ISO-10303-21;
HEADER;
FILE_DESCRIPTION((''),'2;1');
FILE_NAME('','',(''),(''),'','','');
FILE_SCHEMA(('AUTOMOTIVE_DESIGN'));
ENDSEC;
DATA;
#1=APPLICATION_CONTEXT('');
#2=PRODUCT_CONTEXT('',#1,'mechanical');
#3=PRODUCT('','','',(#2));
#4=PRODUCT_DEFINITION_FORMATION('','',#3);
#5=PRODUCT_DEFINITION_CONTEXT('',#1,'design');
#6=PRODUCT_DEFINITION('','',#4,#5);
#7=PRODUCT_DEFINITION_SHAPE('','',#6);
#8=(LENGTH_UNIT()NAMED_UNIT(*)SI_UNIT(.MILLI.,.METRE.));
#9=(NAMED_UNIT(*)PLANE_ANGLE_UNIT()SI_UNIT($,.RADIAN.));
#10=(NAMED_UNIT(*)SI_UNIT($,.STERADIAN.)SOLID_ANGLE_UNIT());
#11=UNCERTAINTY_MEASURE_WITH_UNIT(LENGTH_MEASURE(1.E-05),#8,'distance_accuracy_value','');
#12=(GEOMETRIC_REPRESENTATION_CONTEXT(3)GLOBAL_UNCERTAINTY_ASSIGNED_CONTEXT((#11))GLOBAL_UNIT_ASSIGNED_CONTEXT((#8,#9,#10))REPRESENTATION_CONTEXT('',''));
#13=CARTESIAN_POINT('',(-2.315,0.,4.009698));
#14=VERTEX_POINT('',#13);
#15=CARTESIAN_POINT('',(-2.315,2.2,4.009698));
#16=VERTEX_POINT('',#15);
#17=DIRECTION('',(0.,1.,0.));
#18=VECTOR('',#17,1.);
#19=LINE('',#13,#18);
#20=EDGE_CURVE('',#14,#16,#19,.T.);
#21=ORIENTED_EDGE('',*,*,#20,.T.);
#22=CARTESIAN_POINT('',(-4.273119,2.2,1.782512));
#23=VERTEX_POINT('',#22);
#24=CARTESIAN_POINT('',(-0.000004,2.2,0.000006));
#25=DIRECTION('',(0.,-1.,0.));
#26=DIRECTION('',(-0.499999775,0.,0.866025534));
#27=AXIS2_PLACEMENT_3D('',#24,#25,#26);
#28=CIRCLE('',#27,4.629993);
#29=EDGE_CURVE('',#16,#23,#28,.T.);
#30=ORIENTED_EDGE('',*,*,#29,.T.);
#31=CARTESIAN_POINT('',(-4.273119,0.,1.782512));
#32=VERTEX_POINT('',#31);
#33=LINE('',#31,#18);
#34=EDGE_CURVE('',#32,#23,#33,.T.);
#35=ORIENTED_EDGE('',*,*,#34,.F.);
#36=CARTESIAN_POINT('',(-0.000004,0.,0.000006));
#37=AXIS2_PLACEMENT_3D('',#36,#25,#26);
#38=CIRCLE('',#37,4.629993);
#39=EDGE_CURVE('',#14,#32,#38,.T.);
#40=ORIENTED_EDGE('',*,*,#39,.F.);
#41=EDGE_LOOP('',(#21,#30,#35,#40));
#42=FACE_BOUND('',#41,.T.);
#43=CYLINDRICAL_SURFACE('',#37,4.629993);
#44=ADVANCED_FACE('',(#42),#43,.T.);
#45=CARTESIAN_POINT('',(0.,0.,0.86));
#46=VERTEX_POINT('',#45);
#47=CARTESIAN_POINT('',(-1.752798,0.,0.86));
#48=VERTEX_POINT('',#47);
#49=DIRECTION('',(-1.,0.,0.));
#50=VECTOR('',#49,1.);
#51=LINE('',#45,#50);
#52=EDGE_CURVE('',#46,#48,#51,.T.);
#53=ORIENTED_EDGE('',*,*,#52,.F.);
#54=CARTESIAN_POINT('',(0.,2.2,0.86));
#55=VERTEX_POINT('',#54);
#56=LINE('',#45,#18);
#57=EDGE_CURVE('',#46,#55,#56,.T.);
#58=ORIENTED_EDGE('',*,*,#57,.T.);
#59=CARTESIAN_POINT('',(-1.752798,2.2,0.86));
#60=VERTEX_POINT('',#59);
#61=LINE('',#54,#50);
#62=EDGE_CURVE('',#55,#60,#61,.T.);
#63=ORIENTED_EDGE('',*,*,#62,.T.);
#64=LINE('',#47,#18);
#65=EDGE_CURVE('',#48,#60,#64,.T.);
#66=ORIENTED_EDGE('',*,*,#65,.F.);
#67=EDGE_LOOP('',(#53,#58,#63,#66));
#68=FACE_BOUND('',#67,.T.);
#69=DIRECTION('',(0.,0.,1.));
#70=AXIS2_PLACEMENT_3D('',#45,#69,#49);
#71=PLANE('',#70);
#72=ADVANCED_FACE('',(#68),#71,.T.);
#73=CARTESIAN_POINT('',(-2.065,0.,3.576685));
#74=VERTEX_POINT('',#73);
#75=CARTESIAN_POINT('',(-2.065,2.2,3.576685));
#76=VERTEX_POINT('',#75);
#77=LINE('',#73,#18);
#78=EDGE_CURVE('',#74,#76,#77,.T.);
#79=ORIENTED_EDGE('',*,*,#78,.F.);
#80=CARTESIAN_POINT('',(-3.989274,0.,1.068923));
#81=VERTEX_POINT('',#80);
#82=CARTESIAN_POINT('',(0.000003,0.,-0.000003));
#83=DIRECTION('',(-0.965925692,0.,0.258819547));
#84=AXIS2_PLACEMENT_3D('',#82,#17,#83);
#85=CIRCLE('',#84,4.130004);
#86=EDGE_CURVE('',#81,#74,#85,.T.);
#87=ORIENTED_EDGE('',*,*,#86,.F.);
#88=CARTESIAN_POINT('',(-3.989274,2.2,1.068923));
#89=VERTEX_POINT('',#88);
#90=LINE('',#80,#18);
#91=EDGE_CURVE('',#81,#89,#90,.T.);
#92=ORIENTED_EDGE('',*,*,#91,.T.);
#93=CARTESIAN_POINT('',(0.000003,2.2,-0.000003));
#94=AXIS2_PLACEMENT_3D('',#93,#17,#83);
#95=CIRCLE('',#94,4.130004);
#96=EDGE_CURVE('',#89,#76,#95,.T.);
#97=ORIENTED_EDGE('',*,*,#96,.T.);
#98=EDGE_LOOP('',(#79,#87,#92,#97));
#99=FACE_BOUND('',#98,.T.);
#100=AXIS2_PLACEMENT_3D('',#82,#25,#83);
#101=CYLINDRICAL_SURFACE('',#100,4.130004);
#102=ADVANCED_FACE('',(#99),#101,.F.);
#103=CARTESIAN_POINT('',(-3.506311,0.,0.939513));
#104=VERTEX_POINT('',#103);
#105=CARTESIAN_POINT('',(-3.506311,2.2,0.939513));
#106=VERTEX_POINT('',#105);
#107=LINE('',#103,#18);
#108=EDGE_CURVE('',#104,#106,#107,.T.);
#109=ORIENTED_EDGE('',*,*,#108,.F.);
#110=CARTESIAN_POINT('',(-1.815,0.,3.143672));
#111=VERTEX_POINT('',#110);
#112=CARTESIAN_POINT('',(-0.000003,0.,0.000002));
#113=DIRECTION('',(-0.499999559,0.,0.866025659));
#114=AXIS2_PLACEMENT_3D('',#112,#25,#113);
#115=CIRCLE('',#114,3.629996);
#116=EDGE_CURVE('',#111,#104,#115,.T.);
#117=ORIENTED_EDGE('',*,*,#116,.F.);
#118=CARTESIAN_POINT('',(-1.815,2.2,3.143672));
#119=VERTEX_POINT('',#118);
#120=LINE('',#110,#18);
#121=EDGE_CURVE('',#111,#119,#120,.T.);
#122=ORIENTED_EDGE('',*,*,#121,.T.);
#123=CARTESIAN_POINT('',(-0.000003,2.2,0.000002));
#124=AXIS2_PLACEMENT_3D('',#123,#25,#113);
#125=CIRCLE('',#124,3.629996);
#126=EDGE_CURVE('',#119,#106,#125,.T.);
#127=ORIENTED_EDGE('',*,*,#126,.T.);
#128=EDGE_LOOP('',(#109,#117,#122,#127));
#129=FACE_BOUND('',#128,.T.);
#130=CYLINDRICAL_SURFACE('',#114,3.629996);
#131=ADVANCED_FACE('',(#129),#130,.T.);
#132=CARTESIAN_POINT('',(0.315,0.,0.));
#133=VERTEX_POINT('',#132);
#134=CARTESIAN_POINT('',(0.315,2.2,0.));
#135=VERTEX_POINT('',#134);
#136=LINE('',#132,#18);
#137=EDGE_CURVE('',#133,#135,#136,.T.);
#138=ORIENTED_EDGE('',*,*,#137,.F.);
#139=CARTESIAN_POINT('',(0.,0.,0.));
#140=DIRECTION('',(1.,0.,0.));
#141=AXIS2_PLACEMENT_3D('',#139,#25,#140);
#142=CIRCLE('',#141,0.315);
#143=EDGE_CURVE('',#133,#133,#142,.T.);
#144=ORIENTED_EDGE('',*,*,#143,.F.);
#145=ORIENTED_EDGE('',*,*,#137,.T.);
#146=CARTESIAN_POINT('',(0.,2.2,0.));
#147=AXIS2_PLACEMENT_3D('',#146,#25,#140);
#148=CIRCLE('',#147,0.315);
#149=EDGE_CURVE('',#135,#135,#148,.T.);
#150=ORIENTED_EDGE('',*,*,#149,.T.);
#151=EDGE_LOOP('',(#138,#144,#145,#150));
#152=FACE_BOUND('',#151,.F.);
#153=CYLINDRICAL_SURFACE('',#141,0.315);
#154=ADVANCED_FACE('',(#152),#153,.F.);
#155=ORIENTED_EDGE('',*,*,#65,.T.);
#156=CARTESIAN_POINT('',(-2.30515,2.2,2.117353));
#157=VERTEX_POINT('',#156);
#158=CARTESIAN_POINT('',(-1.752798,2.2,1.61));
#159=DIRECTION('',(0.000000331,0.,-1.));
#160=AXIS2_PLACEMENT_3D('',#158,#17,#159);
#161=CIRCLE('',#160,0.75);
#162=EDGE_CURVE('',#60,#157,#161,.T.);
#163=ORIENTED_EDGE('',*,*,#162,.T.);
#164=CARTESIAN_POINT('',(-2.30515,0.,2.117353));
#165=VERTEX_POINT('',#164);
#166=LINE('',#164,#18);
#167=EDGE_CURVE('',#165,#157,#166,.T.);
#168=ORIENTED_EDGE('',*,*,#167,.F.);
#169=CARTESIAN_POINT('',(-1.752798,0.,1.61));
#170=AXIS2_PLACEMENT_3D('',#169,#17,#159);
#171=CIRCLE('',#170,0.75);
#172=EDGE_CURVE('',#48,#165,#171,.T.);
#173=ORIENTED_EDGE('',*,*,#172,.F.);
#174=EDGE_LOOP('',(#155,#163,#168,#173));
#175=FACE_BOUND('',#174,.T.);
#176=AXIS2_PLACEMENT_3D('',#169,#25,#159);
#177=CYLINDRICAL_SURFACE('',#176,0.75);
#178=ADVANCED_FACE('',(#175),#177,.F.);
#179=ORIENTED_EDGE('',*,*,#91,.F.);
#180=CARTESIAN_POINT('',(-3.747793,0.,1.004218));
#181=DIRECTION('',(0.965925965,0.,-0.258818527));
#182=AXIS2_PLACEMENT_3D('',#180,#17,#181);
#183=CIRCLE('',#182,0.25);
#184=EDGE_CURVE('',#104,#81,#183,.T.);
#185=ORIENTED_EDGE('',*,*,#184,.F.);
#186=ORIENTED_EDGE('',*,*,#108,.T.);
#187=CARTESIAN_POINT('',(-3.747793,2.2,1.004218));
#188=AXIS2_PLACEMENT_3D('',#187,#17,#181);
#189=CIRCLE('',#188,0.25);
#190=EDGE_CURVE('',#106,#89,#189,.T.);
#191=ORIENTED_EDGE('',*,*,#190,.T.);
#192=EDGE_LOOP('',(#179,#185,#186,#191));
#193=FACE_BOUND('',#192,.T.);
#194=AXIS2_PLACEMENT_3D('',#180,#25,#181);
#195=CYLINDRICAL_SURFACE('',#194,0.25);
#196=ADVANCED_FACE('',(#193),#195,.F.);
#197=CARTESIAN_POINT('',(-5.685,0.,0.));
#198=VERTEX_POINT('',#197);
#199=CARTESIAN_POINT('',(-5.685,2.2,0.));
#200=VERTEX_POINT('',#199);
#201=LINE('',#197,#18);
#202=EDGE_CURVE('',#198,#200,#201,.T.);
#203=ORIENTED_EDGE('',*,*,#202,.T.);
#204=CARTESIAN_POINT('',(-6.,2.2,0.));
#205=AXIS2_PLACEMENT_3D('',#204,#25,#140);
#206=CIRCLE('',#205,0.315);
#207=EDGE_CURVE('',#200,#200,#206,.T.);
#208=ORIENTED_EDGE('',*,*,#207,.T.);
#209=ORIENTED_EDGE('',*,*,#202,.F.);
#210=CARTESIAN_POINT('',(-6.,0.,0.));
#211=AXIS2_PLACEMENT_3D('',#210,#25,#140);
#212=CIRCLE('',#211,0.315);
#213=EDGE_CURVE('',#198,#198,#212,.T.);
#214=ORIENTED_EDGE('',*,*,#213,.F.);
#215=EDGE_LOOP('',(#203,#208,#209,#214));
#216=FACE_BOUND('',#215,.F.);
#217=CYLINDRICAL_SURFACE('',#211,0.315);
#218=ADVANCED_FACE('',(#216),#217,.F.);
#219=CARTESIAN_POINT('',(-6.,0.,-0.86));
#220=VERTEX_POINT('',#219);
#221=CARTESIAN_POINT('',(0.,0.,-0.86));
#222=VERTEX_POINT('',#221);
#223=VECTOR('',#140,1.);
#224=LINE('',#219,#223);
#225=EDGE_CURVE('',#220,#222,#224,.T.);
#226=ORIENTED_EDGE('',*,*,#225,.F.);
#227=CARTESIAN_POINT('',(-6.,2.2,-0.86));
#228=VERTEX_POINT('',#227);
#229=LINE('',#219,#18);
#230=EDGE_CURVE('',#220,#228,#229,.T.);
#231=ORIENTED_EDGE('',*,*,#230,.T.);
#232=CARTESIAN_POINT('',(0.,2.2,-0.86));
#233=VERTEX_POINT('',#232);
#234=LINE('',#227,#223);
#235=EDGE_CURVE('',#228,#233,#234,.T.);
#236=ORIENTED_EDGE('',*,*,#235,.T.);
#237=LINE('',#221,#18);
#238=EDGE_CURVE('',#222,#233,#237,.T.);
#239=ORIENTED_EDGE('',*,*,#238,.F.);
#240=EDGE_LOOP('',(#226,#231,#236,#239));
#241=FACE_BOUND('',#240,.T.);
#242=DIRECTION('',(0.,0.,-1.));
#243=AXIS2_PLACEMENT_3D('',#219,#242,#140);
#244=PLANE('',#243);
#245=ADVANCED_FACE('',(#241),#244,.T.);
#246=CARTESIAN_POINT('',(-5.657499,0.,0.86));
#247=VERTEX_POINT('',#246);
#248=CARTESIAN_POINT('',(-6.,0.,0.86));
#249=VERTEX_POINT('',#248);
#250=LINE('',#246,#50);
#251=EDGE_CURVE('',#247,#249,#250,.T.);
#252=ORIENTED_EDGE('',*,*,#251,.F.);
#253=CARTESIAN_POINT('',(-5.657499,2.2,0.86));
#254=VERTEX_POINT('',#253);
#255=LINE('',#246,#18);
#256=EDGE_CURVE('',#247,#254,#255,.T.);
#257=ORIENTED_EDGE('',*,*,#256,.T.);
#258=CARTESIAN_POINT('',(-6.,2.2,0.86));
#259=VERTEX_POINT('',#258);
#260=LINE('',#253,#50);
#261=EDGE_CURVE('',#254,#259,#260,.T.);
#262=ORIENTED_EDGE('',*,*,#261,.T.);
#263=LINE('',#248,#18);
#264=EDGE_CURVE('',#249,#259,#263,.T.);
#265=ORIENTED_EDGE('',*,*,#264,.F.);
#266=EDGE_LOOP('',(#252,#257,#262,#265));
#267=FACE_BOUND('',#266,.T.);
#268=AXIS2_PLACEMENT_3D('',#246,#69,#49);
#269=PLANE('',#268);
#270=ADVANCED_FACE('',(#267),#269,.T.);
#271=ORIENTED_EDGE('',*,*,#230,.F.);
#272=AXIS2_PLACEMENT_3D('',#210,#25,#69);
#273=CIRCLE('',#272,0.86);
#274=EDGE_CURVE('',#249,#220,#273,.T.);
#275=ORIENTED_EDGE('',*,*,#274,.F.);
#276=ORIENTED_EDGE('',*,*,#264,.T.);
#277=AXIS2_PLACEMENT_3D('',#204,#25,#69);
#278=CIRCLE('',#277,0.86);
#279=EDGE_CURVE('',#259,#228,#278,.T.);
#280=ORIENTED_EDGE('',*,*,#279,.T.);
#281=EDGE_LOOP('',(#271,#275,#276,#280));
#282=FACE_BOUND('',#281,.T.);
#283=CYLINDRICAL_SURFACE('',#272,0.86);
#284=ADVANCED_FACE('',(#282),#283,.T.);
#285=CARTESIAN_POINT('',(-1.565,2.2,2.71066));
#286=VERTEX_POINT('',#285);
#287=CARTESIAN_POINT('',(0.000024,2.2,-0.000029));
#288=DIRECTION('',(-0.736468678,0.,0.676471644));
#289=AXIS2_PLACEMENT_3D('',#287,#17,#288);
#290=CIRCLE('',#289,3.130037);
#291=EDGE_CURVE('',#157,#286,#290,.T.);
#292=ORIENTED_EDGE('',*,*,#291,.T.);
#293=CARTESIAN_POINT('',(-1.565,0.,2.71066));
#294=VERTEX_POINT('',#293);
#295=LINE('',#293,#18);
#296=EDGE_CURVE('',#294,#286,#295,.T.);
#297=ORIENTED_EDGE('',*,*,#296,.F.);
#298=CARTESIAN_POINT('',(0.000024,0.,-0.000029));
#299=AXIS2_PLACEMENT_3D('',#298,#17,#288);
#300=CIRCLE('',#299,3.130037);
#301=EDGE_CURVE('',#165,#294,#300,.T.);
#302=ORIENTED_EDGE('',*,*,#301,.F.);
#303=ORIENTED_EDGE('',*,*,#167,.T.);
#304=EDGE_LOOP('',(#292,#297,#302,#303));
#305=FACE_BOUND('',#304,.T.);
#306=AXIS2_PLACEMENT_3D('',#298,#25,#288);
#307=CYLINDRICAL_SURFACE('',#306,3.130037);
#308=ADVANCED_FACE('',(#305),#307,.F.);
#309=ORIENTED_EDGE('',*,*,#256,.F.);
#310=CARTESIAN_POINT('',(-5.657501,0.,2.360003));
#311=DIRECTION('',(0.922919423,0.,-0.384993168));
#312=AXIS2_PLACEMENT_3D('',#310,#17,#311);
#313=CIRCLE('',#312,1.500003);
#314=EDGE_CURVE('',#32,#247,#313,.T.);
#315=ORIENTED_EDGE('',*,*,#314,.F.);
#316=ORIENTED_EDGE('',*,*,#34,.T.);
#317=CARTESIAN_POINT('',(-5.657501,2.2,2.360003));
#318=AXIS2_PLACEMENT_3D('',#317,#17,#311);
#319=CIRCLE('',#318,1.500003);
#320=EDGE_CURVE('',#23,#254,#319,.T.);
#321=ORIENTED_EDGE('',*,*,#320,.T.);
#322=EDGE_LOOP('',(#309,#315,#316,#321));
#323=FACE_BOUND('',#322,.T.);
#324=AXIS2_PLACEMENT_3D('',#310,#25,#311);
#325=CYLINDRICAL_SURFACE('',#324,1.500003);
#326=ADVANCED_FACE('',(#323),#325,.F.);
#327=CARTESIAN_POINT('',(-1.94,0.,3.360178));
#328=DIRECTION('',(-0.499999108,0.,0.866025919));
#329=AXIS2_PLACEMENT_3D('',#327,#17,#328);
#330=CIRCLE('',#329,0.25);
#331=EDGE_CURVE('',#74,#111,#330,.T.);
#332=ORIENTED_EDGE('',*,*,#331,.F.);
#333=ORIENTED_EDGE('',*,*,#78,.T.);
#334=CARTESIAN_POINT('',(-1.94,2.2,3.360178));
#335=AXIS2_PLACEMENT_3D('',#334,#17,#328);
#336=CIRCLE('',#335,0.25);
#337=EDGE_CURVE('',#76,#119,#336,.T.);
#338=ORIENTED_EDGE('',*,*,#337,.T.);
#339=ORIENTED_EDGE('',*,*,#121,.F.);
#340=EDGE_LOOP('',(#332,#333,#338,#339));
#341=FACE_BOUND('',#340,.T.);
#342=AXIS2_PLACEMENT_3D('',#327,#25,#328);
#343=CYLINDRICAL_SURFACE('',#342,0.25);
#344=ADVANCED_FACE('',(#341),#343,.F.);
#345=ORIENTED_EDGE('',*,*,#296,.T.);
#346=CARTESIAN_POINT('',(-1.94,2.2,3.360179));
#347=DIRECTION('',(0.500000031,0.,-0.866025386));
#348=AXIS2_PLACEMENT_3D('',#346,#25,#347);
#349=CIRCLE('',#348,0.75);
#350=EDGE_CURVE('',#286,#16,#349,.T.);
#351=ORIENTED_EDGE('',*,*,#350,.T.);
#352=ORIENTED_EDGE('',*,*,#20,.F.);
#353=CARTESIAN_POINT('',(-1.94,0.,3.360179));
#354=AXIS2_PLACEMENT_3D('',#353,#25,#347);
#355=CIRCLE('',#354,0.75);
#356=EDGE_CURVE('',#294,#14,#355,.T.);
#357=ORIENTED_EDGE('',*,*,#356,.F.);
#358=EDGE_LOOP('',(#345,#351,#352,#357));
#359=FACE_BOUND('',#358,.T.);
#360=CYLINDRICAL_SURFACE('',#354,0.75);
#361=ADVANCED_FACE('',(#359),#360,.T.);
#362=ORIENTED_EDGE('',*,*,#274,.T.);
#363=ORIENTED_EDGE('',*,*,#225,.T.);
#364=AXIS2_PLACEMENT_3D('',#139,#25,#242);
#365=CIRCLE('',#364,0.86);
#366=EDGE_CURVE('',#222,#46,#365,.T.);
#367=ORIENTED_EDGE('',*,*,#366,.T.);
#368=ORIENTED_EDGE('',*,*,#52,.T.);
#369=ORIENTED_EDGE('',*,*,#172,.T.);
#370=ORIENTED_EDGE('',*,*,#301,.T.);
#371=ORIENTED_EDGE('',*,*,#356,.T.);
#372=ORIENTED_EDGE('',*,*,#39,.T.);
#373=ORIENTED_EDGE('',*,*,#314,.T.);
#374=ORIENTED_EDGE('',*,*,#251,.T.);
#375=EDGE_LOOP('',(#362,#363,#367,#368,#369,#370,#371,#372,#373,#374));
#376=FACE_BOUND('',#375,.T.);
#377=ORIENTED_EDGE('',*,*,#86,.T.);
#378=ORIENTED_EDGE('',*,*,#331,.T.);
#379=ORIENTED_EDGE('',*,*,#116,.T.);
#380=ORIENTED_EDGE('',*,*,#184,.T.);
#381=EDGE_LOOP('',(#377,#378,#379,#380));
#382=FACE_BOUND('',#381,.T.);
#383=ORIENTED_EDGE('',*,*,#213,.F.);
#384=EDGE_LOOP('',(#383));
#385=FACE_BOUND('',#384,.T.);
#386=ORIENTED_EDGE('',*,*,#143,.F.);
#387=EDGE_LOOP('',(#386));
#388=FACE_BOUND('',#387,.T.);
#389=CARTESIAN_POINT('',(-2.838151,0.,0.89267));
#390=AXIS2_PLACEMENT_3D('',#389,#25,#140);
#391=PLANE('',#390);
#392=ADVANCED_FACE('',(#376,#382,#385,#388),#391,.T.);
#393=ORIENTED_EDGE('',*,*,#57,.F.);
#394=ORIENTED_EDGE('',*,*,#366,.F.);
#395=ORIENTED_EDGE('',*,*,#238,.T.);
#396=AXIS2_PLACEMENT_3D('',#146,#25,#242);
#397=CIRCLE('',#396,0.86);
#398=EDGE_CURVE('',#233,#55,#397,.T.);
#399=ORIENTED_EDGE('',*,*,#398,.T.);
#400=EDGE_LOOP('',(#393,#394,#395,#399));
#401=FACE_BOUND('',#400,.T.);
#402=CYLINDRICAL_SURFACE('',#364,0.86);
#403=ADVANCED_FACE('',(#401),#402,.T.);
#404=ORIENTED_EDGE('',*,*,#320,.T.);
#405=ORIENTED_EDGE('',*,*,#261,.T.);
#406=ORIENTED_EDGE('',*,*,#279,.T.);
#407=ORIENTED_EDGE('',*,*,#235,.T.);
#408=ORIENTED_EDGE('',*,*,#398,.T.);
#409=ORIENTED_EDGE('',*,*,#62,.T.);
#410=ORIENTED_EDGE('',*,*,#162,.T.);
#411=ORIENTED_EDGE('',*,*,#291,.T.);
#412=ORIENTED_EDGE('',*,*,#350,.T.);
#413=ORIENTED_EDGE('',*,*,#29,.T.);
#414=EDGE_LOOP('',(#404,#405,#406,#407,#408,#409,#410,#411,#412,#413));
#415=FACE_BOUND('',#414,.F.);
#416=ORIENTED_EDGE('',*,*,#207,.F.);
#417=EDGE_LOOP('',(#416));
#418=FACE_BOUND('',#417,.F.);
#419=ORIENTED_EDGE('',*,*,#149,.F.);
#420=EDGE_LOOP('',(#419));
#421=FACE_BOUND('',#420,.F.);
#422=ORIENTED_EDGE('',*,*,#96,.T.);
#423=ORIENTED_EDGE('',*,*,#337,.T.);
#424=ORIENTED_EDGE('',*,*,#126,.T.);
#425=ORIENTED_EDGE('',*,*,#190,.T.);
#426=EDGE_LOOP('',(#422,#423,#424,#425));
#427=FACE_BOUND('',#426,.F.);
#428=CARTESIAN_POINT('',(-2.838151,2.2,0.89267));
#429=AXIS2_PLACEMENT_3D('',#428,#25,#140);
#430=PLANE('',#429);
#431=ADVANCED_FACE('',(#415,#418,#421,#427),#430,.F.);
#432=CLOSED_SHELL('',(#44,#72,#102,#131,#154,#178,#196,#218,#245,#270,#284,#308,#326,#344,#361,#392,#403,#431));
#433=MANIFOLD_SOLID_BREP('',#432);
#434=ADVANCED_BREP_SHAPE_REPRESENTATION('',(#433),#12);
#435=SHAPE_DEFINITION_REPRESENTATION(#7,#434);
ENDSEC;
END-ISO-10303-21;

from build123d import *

# Parameters (mm, degrees)
F0_R     = 0.315
F1_DEPTH = 2.2


with BuildPart() as f1:
    # F0 (on Front) → F1 (new body)
    with BuildSketch(Plane.XZ):
        with BuildLine():
            Line((-3, -0.86), (0, -0.86))
            ThreePointArc((0, -0.86), (0.86, 0), (0, 0.86))
            Line((0, 0.86), (-1.752798, 0.86))
            ThreePointArc((-1.752798, 0.86), (-2.439462, 1.30835), (-2.30515, 2.117353))
            ThreePointArc((-2.30515, 2.117353), (-1.957682, 2.442208), (-1.565, 2.71066))
            ThreePointArc((-1.565, 2.71066), (-1.290481, 3.735179), (-2.315, 4.009698))
            ThreePointArc((-2.315, 4.009698), (-3.4772, 3.05712), (-4.273119, 1.782512))
            ThreePointArc((-4.273119, 1.782512), (-4.825704, 1.111755), (-5.657499, 0.86))
            Line((-5.657499, 0.86), (-6, 0.86))
            ThreePointArc((-6, 0.86), (-6.86, 0), (-6, -0.86))
            Line((-6, -0.86), (-3.009535, -0.86))
            Line((-3.009535, -0.86), (-3, -0.86))
        make_face()
        with Locations((-6, 0)):
            Circle(F0_R, mode=Mode.SUBTRACT)
        Circle(F0_R, mode=Mode.SUBTRACT)
        with BuildLine():
            ThreePointArc((-2.065, 3.576685), (-1.723494, 3.485179), (-1.815, 3.143672))
            ThreePointArc((-1.815, 3.143672), (-2.879873, 2.209804), (-3.506311, 0.939513))
            ThreePointArc((-3.506311, 0.939513), (-3.812497, 0.762736), (-3.989274, 1.068923))
            ThreePointArc((-3.989274, 1.068923), (-3.276549, 2.514185), (-2.065, 3.576685))
        make_face(mode=Mode.SUBTRACT)
    extrude(amount=-F1_DEPTH)


solid = f1.part
